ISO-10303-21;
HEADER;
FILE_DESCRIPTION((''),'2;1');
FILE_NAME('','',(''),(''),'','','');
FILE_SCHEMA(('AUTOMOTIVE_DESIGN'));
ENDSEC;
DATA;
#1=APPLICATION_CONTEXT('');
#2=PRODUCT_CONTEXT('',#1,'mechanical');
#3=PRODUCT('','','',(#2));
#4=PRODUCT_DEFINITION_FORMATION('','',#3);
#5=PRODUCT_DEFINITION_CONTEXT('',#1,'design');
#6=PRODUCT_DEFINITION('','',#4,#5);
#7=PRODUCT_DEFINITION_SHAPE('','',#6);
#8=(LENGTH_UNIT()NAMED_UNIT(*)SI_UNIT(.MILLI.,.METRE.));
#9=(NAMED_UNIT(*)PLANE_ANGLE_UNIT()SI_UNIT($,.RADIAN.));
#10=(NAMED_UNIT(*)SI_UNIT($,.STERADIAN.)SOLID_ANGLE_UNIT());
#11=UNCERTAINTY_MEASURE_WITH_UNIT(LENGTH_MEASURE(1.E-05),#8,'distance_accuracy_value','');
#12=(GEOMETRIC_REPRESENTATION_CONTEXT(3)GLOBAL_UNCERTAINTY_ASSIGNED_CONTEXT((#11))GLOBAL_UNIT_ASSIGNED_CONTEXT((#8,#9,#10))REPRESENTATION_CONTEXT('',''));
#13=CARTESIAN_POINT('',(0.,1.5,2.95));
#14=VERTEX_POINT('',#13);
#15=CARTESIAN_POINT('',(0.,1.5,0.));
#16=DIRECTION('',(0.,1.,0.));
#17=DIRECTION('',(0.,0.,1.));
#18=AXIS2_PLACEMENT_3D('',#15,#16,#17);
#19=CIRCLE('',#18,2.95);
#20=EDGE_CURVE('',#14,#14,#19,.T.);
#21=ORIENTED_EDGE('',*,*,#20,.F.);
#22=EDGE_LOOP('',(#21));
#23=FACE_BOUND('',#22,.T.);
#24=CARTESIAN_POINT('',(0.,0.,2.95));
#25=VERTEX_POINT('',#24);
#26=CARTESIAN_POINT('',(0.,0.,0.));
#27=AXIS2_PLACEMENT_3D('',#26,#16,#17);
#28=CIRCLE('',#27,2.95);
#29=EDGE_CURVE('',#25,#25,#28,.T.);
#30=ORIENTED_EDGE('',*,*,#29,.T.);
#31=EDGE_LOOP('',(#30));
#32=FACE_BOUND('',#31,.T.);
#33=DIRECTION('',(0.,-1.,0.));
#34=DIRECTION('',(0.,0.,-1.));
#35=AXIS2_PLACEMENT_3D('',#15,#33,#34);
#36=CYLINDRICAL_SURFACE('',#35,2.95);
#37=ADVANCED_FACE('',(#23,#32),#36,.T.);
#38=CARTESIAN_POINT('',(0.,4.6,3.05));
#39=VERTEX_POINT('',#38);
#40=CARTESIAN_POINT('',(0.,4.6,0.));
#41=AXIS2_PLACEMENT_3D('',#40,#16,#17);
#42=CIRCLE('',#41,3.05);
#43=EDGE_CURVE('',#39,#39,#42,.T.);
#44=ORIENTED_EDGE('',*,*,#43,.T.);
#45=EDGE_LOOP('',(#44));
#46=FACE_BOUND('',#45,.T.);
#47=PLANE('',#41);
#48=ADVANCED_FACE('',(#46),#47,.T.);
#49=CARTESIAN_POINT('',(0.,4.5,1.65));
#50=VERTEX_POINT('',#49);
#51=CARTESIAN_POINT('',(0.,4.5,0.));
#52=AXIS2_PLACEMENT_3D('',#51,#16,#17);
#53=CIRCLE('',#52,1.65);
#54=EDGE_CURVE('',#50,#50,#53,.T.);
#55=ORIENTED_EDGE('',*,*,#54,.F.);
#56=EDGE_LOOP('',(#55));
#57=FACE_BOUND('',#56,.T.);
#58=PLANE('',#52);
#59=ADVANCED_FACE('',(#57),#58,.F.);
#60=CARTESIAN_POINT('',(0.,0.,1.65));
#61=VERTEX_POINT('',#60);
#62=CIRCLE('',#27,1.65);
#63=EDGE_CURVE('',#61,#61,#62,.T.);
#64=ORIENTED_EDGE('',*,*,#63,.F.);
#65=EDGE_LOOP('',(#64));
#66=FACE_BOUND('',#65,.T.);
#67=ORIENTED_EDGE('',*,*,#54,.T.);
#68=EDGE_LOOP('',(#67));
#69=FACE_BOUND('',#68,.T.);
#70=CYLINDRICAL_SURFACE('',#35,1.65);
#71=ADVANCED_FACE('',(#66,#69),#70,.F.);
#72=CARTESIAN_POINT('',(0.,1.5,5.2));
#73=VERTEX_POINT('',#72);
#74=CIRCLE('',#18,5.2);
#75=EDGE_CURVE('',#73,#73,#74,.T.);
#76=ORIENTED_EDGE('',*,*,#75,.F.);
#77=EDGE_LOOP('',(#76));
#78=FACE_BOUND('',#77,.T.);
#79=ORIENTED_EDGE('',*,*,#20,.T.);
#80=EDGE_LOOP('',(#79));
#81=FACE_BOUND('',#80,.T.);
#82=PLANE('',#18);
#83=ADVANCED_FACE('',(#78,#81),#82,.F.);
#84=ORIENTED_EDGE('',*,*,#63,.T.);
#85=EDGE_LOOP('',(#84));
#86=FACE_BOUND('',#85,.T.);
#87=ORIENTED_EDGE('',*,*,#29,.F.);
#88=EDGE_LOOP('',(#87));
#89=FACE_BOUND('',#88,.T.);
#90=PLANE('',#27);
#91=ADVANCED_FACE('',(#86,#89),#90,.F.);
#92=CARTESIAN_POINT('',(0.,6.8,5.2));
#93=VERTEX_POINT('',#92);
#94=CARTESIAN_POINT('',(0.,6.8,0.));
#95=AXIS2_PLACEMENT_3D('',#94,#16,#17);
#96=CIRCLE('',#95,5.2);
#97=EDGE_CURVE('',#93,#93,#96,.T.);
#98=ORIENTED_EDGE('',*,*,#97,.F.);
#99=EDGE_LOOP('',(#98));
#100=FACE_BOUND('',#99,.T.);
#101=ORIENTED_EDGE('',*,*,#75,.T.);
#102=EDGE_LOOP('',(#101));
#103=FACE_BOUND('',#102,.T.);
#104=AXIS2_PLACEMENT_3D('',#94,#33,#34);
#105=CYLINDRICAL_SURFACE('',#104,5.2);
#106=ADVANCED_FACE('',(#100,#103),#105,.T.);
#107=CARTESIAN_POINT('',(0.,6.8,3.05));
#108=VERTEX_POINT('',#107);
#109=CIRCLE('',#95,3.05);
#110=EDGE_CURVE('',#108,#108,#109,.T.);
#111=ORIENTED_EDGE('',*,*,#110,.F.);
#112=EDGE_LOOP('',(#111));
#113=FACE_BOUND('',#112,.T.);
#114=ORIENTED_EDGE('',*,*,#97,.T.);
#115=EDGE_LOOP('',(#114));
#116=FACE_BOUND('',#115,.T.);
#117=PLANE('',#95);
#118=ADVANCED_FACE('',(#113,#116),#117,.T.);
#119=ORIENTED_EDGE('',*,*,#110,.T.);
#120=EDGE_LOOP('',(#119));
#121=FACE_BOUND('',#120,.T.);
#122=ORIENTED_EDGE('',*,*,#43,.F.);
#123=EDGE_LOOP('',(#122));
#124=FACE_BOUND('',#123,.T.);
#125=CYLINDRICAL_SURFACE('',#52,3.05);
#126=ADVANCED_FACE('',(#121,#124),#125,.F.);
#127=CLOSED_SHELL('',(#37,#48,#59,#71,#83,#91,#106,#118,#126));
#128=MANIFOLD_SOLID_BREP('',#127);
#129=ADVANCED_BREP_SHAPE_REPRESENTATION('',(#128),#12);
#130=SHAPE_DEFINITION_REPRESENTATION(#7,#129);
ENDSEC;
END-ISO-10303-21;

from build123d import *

# Parameters (mm, degrees)
CROQUIS1_R              = 2.95
CROQUIS1_R_2            = 1.65
SALIENTE_EXTRUIR1_DEPTH = 1.5
CROQUIS2_R              = 5.2
SALIENTE_EXTRUIR2_DEPTH = 5.3
CROQUIS3_R              = 3.05
CORTAR_EXTRUIR1_DEPTH   = 2.3
CROQUIS4_R              = 1.65
CORTAR_EXTRUIR2_DEPTH   = 4.6
SALIENTE_EXTRUIR3_START = 0.1
CROQUIS5_R              = 3.05
SALIENTE_EXTRUIR3_DEPTH = 0.1


with BuildPart() as part:
    # Croquis1 → Saliente-Extruir1 (new body)
    with BuildSketch(Plane(origin=(0, 0, 0), x_dir=(1, 0, 0), z_dir=(0, 1, 0))):
        with Locations(Location((0, 0, 0), (0, 0, 270))):
            Circle(CROQUIS1_R)
        with Locations(Location((0, 0, 0), (0, 0, 270))):
            Circle(CROQUIS1_R_2, mode=Mode.SUBTRACT)
    extrude(amount=SALIENTE_EXTRUIR1_DEPTH)

    # Croquis2 → Saliente-Extruir2 (add)
    with BuildSketch(Plane(origin=(0, 1.5, 0), x_dir=(1, 0, 0), z_dir=(0, 1, 0))):
        with Locations(Location((0, 0, 0), (0, 0, 270))):
            Circle(CROQUIS2_R)
    extrude(amount=SALIENTE_EXTRUIR2_DEPTH)

    # Croquis3 → Cortar-Extruir1 (cut)
    with BuildSketch(Plane(origin=(0, 6.8, 0), x_dir=(1, 0, 0), z_dir=(0, 1, 0))):
        with Locations(Location((0, 0, 0), (0, 0, 270))):
            Circle(CROQUIS3_R)
    extrude(amount=-CORTAR_EXTRUIR1_DEPTH, mode=Mode.SUBTRACT)

    # Croquis4 → Cortar-Extruir2 (cut)
    with BuildSketch(Plane.XZ):
        with Locations(Location((0, 0, 0), (0, 0, 90))):
            Circle(CROQUIS4_R)
    extrude(amount=-CORTAR_EXTRUIR2_DEPTH, mode=Mode.SUBTRACT)

    # Croquis5 → Saliente-Extruir3 (add)
    with BuildSketch(Plane(origin=(0, 4.5, 0), x_dir=(1, 0, 0), z_dir=(0, 1, 0)).offset(SALIENTE_EXTRUIR3_START)):
        with Locations(Location((0, 0, 0), (0, 0, 270))):
            Circle(CROQUIS5_R)
    extrude(amount=-SALIENTE_EXTRUIR3_DEPTH)


solid = part.part
